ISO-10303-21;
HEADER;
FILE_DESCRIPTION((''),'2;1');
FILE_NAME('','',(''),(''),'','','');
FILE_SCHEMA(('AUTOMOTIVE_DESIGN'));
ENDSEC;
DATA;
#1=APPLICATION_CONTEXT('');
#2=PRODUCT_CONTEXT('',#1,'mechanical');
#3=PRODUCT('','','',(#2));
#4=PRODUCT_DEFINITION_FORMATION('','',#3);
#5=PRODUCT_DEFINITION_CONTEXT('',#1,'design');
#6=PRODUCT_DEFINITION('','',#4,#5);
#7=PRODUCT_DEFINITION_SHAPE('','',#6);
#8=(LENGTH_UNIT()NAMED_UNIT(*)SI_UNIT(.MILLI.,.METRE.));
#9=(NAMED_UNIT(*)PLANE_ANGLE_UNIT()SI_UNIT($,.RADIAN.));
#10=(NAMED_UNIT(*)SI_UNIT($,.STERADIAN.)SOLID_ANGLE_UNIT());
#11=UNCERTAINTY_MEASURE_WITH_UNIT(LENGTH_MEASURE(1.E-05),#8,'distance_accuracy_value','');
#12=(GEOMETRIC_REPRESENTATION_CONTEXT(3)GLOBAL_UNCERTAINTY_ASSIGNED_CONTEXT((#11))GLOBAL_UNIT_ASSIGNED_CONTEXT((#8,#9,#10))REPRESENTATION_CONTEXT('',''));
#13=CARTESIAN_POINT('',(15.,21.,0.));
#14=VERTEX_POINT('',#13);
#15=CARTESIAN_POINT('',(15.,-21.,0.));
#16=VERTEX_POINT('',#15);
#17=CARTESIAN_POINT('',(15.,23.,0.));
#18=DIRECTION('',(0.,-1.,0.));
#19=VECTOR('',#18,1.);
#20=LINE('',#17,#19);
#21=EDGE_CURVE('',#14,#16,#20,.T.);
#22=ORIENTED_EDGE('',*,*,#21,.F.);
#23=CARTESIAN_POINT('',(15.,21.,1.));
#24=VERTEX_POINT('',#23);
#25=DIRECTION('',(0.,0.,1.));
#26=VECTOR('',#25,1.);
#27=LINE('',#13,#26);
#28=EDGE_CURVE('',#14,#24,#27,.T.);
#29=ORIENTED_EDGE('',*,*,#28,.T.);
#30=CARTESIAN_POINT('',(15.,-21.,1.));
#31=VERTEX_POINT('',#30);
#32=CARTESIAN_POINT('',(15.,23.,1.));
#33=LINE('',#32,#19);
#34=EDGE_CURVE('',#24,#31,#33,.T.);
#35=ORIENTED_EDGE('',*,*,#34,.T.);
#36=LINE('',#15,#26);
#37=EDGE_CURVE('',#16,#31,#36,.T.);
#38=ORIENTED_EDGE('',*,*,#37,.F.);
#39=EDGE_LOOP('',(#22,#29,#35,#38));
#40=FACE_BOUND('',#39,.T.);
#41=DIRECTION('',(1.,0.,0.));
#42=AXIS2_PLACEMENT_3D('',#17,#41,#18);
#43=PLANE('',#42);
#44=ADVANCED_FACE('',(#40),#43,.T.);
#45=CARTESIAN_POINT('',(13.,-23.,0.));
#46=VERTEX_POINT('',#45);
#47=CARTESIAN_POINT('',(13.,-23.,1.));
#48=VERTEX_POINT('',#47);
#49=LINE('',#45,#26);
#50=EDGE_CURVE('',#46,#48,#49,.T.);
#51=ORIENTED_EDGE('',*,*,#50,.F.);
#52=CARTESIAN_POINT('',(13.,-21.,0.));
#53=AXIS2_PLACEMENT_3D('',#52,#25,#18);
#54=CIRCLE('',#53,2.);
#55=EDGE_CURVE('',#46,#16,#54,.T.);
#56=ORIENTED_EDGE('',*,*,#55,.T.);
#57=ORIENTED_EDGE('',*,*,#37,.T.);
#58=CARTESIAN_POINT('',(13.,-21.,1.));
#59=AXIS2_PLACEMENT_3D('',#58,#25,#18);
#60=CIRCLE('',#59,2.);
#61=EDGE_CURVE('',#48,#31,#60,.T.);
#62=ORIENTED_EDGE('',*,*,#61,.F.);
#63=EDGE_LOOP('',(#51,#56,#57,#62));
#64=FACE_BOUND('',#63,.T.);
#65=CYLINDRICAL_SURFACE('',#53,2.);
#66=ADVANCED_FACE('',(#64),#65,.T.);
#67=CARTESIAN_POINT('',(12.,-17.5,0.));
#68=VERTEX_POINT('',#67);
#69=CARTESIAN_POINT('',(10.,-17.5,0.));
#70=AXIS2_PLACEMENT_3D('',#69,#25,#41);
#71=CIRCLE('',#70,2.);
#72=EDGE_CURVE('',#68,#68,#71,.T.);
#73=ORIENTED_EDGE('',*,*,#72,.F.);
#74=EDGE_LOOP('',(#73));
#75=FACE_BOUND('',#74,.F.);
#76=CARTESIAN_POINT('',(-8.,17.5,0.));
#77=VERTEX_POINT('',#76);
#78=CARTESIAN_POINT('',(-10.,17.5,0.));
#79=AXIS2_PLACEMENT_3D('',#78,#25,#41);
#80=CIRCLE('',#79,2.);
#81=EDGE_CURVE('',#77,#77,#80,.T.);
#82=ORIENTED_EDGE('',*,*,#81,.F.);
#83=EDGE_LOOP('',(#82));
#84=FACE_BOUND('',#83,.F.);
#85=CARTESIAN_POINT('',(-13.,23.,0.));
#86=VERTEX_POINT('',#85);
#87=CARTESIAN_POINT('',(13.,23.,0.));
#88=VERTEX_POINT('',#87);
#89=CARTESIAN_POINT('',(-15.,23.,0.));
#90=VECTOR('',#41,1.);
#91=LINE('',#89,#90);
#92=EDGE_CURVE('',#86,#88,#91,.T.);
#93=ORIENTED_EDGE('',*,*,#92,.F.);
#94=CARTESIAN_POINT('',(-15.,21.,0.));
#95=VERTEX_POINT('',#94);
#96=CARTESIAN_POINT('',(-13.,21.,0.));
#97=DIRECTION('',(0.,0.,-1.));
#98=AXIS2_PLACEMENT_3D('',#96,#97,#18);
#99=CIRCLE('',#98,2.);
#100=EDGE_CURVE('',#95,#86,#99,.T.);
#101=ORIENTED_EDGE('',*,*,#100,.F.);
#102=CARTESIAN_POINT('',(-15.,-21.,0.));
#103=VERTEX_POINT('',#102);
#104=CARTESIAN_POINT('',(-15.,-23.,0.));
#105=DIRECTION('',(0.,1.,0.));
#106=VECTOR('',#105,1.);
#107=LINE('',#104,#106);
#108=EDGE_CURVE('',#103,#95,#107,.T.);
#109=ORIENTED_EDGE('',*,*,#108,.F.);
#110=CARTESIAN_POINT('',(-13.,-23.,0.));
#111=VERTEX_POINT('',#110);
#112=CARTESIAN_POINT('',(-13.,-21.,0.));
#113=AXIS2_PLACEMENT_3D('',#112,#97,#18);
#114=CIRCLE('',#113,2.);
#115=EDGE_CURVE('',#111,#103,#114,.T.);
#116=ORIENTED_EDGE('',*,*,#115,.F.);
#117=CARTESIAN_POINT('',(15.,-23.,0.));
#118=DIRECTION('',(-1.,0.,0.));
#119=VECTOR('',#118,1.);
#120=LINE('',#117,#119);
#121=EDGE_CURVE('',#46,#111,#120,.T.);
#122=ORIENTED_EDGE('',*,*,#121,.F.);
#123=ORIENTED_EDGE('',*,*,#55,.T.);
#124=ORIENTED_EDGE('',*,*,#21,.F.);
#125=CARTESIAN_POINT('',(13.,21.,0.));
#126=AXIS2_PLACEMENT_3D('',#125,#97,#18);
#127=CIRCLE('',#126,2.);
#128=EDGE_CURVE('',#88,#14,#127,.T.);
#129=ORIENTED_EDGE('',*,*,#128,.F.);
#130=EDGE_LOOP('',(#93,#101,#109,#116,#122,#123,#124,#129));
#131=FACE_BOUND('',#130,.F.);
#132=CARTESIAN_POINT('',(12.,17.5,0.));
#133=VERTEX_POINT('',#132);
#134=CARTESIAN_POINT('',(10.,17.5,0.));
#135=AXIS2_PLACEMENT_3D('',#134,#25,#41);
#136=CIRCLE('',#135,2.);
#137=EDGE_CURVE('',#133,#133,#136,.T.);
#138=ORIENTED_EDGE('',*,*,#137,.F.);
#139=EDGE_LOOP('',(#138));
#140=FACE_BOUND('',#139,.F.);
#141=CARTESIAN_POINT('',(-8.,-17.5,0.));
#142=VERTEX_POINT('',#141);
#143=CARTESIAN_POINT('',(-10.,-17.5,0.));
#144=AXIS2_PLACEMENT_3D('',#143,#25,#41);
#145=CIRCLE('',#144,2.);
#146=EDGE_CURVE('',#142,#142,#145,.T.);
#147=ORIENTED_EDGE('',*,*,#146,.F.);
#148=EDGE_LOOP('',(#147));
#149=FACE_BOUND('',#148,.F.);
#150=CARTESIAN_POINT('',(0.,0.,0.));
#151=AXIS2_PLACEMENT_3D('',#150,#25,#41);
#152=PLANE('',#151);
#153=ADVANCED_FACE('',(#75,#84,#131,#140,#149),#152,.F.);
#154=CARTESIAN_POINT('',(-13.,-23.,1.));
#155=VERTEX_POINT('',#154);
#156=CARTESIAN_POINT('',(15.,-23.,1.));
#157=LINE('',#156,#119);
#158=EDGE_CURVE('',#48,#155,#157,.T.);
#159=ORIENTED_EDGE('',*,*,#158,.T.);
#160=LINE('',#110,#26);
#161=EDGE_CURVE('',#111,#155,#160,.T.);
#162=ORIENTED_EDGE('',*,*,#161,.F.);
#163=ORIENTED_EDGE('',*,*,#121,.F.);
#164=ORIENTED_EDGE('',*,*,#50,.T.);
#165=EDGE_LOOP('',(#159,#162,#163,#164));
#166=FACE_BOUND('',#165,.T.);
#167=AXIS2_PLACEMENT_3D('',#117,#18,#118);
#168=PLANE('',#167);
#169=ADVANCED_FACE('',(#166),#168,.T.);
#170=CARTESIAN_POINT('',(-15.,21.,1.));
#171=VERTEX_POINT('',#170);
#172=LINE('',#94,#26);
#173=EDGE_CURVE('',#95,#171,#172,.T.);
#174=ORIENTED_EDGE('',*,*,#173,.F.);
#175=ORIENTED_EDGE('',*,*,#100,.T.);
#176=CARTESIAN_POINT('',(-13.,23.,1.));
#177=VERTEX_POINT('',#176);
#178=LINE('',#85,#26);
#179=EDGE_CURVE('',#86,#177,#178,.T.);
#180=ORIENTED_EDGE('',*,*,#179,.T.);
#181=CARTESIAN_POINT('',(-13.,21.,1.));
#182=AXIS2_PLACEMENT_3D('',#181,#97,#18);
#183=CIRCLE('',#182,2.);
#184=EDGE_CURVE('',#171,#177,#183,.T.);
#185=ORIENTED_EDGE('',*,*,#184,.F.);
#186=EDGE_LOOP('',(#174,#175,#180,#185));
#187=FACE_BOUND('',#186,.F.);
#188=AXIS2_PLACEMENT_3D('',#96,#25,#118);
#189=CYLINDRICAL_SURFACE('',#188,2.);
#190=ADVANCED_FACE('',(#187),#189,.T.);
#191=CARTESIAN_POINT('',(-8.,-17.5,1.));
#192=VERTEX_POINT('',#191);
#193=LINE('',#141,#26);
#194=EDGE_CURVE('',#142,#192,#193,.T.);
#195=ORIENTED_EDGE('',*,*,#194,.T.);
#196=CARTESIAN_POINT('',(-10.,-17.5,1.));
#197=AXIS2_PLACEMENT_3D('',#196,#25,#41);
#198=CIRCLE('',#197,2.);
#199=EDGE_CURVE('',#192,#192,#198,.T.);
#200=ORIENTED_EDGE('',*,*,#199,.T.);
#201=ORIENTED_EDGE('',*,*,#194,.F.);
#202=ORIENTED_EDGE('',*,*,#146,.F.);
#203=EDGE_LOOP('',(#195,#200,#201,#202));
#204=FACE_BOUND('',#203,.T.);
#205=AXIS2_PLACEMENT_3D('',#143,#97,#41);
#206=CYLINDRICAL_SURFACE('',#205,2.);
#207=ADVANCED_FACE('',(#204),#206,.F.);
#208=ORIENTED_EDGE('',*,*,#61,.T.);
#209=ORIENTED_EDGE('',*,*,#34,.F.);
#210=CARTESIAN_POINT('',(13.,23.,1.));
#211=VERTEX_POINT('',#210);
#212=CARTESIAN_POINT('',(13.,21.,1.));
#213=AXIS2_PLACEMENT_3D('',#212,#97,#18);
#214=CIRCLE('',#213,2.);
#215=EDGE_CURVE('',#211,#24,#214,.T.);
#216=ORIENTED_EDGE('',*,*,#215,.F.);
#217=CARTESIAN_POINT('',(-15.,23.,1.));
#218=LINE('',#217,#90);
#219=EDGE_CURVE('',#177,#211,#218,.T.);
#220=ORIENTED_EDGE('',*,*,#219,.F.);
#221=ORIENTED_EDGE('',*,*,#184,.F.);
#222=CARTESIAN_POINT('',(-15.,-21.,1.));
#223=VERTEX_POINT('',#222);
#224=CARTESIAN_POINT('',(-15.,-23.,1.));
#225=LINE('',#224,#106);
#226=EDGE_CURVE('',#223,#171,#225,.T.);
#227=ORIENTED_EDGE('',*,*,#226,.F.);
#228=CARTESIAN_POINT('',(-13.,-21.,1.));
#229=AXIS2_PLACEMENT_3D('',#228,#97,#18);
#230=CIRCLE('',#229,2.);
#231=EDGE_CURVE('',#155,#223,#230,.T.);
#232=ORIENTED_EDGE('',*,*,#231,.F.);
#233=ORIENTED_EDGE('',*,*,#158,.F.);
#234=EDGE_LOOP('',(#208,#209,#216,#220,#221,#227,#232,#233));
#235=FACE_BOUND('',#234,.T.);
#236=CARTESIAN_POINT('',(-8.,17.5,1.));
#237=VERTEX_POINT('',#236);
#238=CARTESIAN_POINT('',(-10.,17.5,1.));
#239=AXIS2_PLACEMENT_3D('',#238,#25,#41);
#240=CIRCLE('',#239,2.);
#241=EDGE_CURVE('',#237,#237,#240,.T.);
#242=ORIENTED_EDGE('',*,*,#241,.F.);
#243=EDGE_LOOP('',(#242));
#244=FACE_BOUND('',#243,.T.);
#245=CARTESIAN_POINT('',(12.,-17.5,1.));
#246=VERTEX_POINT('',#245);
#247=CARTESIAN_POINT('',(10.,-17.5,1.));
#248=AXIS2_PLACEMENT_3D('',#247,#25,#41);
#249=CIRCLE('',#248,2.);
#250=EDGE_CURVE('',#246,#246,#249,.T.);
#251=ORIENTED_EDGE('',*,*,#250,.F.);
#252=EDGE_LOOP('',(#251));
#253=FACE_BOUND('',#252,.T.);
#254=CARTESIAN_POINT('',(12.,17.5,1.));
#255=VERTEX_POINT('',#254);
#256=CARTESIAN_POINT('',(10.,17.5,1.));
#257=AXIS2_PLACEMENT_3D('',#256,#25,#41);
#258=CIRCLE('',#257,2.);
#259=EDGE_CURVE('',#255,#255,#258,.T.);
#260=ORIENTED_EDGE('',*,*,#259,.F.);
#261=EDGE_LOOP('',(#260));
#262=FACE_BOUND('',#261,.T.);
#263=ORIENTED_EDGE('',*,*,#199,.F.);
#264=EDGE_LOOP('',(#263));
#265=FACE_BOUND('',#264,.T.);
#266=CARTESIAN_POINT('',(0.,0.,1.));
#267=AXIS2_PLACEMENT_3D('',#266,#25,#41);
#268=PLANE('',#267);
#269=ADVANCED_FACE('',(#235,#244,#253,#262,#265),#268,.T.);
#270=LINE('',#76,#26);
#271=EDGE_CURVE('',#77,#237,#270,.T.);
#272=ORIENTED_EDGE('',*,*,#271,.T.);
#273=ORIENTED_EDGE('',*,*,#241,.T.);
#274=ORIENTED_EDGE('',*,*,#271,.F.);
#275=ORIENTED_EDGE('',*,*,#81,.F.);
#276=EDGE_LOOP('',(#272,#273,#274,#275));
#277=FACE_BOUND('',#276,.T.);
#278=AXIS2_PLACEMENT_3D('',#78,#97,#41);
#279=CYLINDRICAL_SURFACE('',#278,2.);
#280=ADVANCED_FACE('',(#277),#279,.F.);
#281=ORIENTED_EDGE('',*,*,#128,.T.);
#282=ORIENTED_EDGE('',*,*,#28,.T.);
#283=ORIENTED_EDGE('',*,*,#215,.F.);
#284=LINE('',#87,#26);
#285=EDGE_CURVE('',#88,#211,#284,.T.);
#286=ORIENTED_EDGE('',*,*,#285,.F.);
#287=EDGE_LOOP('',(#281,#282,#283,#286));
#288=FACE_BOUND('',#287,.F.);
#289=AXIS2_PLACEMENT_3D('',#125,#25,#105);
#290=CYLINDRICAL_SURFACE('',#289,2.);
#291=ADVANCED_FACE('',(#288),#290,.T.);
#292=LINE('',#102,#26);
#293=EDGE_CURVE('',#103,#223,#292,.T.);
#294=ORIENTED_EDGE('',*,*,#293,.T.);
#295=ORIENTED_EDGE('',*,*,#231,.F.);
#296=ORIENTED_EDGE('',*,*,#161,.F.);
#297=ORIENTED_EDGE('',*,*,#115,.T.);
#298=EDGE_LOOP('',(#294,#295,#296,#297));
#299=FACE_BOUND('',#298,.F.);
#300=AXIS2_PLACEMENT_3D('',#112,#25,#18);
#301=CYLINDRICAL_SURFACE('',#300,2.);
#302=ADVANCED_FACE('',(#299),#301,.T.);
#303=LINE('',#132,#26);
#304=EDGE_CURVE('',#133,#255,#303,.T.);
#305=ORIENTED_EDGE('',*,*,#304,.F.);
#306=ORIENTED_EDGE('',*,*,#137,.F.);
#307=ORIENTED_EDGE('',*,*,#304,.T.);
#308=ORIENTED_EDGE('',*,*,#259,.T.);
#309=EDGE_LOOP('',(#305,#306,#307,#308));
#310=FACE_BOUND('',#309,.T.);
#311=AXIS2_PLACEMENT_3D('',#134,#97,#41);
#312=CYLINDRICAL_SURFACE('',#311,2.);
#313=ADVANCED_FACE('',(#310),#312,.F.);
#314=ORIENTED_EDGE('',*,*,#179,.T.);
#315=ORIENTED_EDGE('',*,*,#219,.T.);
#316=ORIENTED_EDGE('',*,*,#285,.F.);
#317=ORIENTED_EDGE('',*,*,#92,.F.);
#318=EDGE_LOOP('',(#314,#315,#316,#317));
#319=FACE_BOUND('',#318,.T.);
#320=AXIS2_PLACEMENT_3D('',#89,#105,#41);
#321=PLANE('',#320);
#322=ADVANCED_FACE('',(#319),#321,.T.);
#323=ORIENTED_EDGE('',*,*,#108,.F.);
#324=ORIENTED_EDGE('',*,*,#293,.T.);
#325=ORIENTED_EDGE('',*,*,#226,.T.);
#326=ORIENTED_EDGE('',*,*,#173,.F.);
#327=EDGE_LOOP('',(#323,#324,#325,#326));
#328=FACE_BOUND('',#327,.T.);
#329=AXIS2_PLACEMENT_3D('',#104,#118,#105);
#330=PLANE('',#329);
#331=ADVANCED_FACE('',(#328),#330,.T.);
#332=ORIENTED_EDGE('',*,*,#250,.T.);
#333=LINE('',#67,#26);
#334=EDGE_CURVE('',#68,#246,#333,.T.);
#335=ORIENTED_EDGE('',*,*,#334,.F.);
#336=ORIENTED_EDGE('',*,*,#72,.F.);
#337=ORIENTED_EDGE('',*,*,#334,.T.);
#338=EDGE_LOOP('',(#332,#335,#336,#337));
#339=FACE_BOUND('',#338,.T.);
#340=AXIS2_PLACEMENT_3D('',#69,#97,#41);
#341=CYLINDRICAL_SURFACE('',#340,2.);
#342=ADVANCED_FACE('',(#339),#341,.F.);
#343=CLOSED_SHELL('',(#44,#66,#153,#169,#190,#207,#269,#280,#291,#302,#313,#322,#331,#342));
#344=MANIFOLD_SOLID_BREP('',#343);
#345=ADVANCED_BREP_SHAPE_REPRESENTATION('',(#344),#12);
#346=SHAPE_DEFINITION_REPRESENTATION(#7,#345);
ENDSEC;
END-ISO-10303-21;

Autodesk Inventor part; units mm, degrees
ref_plane "YZ Plane" through (0, 0, 0) normal (1, 0, 0) x (0, 1, 0)
ref_plane "XZ Plane" through (0, 0, 0) normal (0, 1, 0) x (-1, 0, 0)
ref_plane "XY Plane" through (0, 0, 0) normal (0, 0, 1) x (1, 0, 0)
sketch "스케치1" plane through (0, 0, 0) normal (0, 0, 1) x (1, 0, 0)
  line L0 (15, -23) -> (-15, -23)
  line L1 (-15, -23) -> (-15, 23)
  line L2 (-15, 23) -> (15, 23)
  line L3 (15, 23) -> (15, -23)
  circle A0 centre (-10, 17.5) radius 2
  circle A1 centre (-10, -17.5) radius 2
  circle A2 centre (10, -17.5) radius 2
  circle A3 centre (10, 17.5) radius 2
  dimension "d0" = 30
  dimension "d1" = 46
  dimension "d4" = 4
  dimension "d6" = 4
  dimension "d7" = 4
  dimension "d8" = 4
extrude "돌출1" add sketch "스케치1" along normal blind 1
fillet "모깎기1" radius 2 4 edges at (-15, 23, 0.5) (15, 23, 0.5) (15, -23, 0.5) (-15, -23, 0.5)
properties part number "castor_support" material "ABS 플라스틱"
